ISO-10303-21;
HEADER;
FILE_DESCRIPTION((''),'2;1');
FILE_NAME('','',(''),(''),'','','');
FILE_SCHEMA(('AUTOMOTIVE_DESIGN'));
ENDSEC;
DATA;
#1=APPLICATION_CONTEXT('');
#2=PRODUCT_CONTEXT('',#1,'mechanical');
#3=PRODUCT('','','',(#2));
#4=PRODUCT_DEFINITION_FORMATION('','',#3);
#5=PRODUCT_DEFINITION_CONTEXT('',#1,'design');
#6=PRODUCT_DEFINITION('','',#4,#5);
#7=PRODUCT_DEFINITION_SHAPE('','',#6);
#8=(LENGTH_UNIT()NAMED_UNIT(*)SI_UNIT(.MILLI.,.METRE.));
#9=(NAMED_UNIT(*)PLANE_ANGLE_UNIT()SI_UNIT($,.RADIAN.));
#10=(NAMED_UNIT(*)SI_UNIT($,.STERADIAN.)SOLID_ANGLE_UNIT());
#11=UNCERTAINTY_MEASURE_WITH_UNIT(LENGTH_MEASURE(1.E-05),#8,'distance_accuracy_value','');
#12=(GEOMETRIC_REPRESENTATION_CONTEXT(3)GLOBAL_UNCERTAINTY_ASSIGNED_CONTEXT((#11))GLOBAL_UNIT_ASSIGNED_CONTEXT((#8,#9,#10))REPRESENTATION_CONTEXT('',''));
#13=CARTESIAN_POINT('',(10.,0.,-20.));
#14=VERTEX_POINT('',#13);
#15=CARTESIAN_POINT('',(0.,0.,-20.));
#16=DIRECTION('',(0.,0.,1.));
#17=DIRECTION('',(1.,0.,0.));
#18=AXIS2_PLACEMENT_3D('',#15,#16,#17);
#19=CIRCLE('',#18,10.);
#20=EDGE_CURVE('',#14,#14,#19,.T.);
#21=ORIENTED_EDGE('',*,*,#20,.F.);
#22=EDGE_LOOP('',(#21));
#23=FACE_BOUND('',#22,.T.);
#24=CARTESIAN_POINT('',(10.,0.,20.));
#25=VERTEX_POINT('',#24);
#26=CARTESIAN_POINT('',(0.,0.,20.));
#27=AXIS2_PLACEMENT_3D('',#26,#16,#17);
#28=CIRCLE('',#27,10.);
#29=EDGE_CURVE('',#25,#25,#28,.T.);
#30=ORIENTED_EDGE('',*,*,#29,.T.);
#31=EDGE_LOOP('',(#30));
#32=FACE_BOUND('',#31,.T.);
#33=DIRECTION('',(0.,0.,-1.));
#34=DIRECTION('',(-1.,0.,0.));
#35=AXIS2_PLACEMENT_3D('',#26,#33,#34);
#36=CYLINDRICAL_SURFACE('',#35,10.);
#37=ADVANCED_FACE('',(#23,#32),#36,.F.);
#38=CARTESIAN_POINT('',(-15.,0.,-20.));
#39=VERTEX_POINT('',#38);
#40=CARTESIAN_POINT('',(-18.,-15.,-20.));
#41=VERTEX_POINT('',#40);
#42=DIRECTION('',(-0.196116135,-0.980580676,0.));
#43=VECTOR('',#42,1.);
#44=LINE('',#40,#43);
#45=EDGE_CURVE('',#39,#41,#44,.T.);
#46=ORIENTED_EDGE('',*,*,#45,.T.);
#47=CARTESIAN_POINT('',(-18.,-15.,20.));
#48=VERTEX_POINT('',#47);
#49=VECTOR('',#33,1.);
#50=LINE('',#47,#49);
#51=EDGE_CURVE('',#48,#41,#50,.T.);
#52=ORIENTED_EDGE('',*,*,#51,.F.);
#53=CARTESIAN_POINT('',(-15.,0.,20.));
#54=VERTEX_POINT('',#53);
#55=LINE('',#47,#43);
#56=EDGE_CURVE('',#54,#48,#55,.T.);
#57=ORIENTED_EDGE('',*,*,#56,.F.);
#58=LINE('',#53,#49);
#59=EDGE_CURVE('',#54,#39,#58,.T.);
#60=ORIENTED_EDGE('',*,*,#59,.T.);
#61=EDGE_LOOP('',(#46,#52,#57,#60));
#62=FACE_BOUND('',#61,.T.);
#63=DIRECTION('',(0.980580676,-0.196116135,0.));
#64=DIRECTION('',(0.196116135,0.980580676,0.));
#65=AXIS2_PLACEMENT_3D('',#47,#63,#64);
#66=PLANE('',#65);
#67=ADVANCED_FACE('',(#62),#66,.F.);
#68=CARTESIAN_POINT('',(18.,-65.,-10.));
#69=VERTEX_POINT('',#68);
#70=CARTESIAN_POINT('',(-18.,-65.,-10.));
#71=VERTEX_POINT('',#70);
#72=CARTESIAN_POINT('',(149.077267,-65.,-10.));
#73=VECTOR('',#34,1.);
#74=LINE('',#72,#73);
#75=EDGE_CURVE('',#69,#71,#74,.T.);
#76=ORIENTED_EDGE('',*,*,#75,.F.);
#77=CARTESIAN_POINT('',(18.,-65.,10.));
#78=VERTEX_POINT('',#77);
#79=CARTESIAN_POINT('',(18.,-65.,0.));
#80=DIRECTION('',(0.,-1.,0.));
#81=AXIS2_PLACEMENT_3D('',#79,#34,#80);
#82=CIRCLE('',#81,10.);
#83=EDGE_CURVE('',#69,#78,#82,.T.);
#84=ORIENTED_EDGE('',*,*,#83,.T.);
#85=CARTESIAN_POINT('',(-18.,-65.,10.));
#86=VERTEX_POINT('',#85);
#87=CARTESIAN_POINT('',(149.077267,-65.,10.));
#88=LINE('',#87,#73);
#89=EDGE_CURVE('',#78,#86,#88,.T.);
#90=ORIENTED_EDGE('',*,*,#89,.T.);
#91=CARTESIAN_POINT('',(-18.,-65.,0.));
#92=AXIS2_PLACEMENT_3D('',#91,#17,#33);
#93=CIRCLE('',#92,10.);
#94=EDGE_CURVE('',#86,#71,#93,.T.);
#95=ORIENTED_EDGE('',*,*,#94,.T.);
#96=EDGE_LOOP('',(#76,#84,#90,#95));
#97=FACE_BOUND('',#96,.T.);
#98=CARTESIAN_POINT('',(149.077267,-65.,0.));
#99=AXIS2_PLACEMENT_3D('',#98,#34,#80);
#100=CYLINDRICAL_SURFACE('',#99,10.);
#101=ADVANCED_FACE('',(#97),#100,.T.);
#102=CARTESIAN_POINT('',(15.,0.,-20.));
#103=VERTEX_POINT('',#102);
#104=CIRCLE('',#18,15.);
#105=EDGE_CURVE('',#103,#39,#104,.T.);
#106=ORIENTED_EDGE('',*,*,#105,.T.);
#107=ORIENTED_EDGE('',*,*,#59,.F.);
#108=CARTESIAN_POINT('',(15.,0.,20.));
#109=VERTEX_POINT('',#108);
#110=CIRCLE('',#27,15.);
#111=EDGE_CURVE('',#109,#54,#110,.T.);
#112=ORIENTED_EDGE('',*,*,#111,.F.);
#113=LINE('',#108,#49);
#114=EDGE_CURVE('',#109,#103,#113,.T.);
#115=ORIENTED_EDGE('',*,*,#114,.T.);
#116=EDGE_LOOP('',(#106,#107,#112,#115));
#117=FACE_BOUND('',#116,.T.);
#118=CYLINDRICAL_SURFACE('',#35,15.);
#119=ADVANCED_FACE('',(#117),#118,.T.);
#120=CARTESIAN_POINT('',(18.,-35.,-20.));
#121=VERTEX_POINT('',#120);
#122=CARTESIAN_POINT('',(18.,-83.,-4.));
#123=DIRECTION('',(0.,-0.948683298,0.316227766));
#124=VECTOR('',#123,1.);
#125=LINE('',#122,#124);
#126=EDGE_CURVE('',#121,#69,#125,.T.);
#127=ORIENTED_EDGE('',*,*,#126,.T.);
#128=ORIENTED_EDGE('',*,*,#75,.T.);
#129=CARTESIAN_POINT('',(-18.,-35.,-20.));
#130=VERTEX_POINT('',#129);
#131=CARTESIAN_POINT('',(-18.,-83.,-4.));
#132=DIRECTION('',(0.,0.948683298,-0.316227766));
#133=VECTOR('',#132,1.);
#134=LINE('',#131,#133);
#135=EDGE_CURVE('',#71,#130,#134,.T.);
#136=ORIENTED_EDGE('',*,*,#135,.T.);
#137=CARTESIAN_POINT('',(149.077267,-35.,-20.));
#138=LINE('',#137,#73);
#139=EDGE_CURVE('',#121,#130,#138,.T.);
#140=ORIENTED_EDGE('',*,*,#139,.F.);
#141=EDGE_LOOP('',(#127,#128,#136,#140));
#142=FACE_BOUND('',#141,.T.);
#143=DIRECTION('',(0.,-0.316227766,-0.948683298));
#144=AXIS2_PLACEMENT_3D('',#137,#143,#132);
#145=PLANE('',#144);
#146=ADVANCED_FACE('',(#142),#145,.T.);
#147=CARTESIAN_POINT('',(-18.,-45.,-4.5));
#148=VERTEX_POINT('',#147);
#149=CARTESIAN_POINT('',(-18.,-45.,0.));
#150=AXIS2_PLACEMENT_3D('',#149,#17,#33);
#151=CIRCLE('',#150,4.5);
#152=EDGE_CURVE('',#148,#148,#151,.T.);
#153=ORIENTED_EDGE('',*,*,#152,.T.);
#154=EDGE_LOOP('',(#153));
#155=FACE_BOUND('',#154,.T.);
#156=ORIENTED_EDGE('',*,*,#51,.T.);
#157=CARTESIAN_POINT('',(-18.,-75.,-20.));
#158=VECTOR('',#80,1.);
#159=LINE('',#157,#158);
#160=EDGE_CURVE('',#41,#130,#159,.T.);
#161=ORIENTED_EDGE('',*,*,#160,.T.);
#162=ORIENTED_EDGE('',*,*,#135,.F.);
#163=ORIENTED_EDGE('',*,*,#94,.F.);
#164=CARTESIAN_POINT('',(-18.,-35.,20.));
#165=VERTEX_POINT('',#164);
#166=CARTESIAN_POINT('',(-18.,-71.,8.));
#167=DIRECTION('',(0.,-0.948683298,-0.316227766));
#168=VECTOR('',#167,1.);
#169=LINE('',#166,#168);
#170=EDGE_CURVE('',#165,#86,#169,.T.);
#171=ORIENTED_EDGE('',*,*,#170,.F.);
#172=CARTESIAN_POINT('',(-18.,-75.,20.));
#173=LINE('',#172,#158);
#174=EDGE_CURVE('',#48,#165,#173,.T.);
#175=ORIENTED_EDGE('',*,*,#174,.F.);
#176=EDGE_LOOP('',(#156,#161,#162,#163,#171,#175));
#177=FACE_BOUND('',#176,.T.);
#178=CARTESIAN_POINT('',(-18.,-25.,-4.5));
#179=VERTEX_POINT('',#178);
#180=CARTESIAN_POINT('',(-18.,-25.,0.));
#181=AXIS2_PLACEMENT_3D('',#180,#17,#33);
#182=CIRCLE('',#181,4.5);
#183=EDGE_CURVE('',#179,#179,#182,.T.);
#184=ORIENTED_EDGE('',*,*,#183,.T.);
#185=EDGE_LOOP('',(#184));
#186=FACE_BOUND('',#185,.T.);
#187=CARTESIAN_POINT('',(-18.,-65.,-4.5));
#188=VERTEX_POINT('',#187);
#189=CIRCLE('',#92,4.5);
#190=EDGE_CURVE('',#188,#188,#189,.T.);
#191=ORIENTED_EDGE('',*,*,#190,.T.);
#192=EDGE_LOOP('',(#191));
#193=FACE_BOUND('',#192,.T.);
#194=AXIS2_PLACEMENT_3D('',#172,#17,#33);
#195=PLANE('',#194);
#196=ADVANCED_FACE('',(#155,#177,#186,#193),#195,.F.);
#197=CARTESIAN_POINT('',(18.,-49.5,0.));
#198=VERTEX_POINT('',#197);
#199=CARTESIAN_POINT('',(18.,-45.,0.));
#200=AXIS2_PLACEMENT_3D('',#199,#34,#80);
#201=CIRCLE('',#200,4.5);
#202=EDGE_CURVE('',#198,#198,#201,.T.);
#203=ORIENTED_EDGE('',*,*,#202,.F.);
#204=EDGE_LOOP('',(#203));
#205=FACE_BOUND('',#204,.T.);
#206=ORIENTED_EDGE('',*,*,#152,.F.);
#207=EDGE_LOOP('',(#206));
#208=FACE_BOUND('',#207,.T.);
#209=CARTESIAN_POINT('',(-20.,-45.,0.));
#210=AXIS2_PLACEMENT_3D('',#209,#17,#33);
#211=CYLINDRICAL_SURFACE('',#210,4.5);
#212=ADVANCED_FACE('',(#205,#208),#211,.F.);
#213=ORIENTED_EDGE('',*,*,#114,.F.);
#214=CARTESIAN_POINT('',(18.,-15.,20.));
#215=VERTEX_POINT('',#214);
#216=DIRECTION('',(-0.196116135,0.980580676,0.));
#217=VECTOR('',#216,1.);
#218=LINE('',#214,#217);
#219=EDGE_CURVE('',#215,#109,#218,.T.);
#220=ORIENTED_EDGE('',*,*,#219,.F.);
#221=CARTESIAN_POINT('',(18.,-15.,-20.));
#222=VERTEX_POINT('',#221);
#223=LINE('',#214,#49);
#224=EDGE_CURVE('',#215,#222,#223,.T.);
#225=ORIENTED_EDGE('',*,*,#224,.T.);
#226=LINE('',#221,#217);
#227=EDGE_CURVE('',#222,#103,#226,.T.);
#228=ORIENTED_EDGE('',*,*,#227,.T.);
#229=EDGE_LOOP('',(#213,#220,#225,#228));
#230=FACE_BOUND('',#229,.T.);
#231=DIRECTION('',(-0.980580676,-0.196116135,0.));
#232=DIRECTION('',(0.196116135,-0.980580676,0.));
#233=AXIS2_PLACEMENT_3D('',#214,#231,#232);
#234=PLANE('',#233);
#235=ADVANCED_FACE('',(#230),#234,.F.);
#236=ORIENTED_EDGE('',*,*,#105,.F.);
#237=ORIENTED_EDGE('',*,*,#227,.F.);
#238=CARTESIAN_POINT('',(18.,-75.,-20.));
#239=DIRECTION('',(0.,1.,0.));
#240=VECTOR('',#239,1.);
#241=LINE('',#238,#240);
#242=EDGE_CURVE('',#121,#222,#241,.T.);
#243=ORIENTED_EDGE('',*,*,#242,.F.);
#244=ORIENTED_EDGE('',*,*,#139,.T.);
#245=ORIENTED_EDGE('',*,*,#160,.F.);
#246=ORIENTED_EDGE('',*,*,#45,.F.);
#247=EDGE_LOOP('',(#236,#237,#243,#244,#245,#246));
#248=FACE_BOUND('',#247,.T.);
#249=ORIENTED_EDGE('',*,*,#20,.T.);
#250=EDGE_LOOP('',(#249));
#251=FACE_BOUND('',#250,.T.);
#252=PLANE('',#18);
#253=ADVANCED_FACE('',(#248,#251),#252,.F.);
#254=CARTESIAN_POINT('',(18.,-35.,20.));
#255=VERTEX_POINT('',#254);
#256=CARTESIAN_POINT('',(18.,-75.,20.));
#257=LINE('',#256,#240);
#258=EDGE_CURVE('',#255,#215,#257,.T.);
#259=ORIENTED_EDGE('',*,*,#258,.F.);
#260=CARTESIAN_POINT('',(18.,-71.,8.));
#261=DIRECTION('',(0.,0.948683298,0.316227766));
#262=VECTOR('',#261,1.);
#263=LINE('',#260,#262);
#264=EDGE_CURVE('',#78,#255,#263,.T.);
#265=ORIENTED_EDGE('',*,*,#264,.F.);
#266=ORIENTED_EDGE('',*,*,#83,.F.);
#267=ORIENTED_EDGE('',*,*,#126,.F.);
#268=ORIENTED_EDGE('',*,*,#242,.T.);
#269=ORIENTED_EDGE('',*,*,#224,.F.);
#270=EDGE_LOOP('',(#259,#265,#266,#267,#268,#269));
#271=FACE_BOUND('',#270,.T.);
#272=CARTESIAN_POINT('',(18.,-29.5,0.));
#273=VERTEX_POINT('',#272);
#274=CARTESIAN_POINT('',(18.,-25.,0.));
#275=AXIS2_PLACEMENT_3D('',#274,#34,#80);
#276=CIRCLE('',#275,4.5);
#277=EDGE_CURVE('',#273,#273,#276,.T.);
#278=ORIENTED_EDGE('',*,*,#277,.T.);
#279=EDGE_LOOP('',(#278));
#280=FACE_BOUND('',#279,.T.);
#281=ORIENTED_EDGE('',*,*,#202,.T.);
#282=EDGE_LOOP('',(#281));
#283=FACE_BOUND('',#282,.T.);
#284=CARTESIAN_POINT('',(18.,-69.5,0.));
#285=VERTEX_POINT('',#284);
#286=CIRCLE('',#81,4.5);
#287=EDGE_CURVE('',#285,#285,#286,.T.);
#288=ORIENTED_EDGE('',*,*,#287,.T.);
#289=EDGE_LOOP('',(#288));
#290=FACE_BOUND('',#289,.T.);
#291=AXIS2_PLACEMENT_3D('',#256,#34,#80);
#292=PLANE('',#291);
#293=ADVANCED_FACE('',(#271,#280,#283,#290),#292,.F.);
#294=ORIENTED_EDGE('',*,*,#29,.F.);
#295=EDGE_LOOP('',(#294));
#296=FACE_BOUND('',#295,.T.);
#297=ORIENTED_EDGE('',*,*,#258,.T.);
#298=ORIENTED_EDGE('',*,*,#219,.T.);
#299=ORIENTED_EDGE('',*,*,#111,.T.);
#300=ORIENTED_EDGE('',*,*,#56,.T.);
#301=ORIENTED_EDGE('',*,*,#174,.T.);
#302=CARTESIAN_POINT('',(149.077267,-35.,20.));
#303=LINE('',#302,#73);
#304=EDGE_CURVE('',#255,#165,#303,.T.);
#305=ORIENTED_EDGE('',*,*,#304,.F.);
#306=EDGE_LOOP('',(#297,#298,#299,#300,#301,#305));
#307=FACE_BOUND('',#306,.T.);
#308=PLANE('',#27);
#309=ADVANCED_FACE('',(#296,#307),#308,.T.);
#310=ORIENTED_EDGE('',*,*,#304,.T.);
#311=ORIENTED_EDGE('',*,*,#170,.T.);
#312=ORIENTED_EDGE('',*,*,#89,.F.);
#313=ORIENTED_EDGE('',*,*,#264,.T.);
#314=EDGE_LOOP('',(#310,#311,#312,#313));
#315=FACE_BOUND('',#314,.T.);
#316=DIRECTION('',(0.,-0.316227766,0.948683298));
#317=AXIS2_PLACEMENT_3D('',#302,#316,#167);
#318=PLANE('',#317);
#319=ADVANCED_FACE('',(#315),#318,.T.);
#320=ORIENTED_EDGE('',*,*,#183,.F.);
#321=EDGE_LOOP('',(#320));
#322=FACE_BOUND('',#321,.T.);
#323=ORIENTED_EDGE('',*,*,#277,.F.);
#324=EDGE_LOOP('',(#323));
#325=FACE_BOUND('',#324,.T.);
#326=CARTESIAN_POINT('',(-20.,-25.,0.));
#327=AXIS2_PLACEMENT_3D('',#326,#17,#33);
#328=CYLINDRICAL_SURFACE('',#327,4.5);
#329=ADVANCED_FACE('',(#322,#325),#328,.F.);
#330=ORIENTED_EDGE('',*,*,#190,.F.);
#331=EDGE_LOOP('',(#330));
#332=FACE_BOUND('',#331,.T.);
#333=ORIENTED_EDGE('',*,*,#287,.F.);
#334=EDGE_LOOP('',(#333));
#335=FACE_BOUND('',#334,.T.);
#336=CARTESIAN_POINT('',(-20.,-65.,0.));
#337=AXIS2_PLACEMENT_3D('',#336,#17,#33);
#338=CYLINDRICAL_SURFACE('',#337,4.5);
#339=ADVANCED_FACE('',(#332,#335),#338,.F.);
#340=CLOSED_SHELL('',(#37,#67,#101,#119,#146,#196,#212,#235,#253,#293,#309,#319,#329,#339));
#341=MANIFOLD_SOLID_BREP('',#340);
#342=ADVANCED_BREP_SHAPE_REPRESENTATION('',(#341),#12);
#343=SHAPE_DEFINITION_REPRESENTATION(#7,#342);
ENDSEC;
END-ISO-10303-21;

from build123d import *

# Parameters (mm, degrees)
SKETCH_1_R               = 10
EXTRUDE_1_DEPTH          = 20
SKETCH_2_R               = 4.5
CUT_EXTRUDE_1_DEPTH      = 20
CUT_EXTRUDE_2_DEPTH      = 86.562842403
CUT_EXTRUDE_2_DEPTH_BACK = 86.562842403


with BuildPart() as part:
    # 草图1 → 凸台-拉伸1 (new, symmetric)
    with BuildSketch(Plane.XY):
        with BuildLine():
            Line((0, -75), (18, -75))
            Line((18, -75), (18, -15))
            Line((18, -15), (15, 0))
            ThreePointArc((15, 0), (0, 15), (-15, 0))
            Line((-15, 0), (-18, -15))
            Line((-18, -15), (-18, -75))
            Line((-18, -75), (0, -75))
        make_face()
        Circle(SKETCH_1_R, mode=Mode.SUBTRACT)
    extrude(amount=EXTRUDE_1_DEPTH, both=True)

    # 草图2 → 切除-拉伸1 (cut, symmetric)
    with BuildSketch(Plane(origin=(0, 0, 0), x_dir=(0, 0, -1), z_dir=(1, 0, 0))):
        with Locations((0, -45)):
            Circle(SKETCH_2_R)
        with Locations((0, -25)):
            Circle(SKETCH_2_R)
        with Locations((0, -65)):
            Circle(SKETCH_2_R)
    extrude(amount=CUT_EXTRUDE_1_DEPTH, both=True, mode=Mode.SUBTRACT)

    # 草图7 → 切除-拉伸2 (cut, two sides: drawn at the far end of the back side and taken through both)
    with BuildSketch(Plane(origin=(18, 0, 0), x_dir=(0, 0, -1), z_dir=(1, 0, 0)).offset(-CUT_EXTRUDE_2_DEPTH_BACK)):
        with BuildLine():
            Line((-10, -65), (-20, -35))
            Line((-20, -35), (-20, -75))
            Line((-20, -75), (0, -75))
            ThreePointArc((0, -75), (-7.071067812, -72.071067812), (-10, -65))
        make_face()
        with BuildLine():
            ThreePointArc((10, -65), (7.071067812, -72.071067812), (0, -75))
            Line((0, -75), (20, -75))
            Line((20, -75), (20, -35))
            Line((20, -35), (10, -65))
        make_face()
    extrude(amount=CUT_EXTRUDE_2_DEPTH + CUT_EXTRUDE_2_DEPTH_BACK, mode=Mode.SUBTRACT)


solid = part.part
